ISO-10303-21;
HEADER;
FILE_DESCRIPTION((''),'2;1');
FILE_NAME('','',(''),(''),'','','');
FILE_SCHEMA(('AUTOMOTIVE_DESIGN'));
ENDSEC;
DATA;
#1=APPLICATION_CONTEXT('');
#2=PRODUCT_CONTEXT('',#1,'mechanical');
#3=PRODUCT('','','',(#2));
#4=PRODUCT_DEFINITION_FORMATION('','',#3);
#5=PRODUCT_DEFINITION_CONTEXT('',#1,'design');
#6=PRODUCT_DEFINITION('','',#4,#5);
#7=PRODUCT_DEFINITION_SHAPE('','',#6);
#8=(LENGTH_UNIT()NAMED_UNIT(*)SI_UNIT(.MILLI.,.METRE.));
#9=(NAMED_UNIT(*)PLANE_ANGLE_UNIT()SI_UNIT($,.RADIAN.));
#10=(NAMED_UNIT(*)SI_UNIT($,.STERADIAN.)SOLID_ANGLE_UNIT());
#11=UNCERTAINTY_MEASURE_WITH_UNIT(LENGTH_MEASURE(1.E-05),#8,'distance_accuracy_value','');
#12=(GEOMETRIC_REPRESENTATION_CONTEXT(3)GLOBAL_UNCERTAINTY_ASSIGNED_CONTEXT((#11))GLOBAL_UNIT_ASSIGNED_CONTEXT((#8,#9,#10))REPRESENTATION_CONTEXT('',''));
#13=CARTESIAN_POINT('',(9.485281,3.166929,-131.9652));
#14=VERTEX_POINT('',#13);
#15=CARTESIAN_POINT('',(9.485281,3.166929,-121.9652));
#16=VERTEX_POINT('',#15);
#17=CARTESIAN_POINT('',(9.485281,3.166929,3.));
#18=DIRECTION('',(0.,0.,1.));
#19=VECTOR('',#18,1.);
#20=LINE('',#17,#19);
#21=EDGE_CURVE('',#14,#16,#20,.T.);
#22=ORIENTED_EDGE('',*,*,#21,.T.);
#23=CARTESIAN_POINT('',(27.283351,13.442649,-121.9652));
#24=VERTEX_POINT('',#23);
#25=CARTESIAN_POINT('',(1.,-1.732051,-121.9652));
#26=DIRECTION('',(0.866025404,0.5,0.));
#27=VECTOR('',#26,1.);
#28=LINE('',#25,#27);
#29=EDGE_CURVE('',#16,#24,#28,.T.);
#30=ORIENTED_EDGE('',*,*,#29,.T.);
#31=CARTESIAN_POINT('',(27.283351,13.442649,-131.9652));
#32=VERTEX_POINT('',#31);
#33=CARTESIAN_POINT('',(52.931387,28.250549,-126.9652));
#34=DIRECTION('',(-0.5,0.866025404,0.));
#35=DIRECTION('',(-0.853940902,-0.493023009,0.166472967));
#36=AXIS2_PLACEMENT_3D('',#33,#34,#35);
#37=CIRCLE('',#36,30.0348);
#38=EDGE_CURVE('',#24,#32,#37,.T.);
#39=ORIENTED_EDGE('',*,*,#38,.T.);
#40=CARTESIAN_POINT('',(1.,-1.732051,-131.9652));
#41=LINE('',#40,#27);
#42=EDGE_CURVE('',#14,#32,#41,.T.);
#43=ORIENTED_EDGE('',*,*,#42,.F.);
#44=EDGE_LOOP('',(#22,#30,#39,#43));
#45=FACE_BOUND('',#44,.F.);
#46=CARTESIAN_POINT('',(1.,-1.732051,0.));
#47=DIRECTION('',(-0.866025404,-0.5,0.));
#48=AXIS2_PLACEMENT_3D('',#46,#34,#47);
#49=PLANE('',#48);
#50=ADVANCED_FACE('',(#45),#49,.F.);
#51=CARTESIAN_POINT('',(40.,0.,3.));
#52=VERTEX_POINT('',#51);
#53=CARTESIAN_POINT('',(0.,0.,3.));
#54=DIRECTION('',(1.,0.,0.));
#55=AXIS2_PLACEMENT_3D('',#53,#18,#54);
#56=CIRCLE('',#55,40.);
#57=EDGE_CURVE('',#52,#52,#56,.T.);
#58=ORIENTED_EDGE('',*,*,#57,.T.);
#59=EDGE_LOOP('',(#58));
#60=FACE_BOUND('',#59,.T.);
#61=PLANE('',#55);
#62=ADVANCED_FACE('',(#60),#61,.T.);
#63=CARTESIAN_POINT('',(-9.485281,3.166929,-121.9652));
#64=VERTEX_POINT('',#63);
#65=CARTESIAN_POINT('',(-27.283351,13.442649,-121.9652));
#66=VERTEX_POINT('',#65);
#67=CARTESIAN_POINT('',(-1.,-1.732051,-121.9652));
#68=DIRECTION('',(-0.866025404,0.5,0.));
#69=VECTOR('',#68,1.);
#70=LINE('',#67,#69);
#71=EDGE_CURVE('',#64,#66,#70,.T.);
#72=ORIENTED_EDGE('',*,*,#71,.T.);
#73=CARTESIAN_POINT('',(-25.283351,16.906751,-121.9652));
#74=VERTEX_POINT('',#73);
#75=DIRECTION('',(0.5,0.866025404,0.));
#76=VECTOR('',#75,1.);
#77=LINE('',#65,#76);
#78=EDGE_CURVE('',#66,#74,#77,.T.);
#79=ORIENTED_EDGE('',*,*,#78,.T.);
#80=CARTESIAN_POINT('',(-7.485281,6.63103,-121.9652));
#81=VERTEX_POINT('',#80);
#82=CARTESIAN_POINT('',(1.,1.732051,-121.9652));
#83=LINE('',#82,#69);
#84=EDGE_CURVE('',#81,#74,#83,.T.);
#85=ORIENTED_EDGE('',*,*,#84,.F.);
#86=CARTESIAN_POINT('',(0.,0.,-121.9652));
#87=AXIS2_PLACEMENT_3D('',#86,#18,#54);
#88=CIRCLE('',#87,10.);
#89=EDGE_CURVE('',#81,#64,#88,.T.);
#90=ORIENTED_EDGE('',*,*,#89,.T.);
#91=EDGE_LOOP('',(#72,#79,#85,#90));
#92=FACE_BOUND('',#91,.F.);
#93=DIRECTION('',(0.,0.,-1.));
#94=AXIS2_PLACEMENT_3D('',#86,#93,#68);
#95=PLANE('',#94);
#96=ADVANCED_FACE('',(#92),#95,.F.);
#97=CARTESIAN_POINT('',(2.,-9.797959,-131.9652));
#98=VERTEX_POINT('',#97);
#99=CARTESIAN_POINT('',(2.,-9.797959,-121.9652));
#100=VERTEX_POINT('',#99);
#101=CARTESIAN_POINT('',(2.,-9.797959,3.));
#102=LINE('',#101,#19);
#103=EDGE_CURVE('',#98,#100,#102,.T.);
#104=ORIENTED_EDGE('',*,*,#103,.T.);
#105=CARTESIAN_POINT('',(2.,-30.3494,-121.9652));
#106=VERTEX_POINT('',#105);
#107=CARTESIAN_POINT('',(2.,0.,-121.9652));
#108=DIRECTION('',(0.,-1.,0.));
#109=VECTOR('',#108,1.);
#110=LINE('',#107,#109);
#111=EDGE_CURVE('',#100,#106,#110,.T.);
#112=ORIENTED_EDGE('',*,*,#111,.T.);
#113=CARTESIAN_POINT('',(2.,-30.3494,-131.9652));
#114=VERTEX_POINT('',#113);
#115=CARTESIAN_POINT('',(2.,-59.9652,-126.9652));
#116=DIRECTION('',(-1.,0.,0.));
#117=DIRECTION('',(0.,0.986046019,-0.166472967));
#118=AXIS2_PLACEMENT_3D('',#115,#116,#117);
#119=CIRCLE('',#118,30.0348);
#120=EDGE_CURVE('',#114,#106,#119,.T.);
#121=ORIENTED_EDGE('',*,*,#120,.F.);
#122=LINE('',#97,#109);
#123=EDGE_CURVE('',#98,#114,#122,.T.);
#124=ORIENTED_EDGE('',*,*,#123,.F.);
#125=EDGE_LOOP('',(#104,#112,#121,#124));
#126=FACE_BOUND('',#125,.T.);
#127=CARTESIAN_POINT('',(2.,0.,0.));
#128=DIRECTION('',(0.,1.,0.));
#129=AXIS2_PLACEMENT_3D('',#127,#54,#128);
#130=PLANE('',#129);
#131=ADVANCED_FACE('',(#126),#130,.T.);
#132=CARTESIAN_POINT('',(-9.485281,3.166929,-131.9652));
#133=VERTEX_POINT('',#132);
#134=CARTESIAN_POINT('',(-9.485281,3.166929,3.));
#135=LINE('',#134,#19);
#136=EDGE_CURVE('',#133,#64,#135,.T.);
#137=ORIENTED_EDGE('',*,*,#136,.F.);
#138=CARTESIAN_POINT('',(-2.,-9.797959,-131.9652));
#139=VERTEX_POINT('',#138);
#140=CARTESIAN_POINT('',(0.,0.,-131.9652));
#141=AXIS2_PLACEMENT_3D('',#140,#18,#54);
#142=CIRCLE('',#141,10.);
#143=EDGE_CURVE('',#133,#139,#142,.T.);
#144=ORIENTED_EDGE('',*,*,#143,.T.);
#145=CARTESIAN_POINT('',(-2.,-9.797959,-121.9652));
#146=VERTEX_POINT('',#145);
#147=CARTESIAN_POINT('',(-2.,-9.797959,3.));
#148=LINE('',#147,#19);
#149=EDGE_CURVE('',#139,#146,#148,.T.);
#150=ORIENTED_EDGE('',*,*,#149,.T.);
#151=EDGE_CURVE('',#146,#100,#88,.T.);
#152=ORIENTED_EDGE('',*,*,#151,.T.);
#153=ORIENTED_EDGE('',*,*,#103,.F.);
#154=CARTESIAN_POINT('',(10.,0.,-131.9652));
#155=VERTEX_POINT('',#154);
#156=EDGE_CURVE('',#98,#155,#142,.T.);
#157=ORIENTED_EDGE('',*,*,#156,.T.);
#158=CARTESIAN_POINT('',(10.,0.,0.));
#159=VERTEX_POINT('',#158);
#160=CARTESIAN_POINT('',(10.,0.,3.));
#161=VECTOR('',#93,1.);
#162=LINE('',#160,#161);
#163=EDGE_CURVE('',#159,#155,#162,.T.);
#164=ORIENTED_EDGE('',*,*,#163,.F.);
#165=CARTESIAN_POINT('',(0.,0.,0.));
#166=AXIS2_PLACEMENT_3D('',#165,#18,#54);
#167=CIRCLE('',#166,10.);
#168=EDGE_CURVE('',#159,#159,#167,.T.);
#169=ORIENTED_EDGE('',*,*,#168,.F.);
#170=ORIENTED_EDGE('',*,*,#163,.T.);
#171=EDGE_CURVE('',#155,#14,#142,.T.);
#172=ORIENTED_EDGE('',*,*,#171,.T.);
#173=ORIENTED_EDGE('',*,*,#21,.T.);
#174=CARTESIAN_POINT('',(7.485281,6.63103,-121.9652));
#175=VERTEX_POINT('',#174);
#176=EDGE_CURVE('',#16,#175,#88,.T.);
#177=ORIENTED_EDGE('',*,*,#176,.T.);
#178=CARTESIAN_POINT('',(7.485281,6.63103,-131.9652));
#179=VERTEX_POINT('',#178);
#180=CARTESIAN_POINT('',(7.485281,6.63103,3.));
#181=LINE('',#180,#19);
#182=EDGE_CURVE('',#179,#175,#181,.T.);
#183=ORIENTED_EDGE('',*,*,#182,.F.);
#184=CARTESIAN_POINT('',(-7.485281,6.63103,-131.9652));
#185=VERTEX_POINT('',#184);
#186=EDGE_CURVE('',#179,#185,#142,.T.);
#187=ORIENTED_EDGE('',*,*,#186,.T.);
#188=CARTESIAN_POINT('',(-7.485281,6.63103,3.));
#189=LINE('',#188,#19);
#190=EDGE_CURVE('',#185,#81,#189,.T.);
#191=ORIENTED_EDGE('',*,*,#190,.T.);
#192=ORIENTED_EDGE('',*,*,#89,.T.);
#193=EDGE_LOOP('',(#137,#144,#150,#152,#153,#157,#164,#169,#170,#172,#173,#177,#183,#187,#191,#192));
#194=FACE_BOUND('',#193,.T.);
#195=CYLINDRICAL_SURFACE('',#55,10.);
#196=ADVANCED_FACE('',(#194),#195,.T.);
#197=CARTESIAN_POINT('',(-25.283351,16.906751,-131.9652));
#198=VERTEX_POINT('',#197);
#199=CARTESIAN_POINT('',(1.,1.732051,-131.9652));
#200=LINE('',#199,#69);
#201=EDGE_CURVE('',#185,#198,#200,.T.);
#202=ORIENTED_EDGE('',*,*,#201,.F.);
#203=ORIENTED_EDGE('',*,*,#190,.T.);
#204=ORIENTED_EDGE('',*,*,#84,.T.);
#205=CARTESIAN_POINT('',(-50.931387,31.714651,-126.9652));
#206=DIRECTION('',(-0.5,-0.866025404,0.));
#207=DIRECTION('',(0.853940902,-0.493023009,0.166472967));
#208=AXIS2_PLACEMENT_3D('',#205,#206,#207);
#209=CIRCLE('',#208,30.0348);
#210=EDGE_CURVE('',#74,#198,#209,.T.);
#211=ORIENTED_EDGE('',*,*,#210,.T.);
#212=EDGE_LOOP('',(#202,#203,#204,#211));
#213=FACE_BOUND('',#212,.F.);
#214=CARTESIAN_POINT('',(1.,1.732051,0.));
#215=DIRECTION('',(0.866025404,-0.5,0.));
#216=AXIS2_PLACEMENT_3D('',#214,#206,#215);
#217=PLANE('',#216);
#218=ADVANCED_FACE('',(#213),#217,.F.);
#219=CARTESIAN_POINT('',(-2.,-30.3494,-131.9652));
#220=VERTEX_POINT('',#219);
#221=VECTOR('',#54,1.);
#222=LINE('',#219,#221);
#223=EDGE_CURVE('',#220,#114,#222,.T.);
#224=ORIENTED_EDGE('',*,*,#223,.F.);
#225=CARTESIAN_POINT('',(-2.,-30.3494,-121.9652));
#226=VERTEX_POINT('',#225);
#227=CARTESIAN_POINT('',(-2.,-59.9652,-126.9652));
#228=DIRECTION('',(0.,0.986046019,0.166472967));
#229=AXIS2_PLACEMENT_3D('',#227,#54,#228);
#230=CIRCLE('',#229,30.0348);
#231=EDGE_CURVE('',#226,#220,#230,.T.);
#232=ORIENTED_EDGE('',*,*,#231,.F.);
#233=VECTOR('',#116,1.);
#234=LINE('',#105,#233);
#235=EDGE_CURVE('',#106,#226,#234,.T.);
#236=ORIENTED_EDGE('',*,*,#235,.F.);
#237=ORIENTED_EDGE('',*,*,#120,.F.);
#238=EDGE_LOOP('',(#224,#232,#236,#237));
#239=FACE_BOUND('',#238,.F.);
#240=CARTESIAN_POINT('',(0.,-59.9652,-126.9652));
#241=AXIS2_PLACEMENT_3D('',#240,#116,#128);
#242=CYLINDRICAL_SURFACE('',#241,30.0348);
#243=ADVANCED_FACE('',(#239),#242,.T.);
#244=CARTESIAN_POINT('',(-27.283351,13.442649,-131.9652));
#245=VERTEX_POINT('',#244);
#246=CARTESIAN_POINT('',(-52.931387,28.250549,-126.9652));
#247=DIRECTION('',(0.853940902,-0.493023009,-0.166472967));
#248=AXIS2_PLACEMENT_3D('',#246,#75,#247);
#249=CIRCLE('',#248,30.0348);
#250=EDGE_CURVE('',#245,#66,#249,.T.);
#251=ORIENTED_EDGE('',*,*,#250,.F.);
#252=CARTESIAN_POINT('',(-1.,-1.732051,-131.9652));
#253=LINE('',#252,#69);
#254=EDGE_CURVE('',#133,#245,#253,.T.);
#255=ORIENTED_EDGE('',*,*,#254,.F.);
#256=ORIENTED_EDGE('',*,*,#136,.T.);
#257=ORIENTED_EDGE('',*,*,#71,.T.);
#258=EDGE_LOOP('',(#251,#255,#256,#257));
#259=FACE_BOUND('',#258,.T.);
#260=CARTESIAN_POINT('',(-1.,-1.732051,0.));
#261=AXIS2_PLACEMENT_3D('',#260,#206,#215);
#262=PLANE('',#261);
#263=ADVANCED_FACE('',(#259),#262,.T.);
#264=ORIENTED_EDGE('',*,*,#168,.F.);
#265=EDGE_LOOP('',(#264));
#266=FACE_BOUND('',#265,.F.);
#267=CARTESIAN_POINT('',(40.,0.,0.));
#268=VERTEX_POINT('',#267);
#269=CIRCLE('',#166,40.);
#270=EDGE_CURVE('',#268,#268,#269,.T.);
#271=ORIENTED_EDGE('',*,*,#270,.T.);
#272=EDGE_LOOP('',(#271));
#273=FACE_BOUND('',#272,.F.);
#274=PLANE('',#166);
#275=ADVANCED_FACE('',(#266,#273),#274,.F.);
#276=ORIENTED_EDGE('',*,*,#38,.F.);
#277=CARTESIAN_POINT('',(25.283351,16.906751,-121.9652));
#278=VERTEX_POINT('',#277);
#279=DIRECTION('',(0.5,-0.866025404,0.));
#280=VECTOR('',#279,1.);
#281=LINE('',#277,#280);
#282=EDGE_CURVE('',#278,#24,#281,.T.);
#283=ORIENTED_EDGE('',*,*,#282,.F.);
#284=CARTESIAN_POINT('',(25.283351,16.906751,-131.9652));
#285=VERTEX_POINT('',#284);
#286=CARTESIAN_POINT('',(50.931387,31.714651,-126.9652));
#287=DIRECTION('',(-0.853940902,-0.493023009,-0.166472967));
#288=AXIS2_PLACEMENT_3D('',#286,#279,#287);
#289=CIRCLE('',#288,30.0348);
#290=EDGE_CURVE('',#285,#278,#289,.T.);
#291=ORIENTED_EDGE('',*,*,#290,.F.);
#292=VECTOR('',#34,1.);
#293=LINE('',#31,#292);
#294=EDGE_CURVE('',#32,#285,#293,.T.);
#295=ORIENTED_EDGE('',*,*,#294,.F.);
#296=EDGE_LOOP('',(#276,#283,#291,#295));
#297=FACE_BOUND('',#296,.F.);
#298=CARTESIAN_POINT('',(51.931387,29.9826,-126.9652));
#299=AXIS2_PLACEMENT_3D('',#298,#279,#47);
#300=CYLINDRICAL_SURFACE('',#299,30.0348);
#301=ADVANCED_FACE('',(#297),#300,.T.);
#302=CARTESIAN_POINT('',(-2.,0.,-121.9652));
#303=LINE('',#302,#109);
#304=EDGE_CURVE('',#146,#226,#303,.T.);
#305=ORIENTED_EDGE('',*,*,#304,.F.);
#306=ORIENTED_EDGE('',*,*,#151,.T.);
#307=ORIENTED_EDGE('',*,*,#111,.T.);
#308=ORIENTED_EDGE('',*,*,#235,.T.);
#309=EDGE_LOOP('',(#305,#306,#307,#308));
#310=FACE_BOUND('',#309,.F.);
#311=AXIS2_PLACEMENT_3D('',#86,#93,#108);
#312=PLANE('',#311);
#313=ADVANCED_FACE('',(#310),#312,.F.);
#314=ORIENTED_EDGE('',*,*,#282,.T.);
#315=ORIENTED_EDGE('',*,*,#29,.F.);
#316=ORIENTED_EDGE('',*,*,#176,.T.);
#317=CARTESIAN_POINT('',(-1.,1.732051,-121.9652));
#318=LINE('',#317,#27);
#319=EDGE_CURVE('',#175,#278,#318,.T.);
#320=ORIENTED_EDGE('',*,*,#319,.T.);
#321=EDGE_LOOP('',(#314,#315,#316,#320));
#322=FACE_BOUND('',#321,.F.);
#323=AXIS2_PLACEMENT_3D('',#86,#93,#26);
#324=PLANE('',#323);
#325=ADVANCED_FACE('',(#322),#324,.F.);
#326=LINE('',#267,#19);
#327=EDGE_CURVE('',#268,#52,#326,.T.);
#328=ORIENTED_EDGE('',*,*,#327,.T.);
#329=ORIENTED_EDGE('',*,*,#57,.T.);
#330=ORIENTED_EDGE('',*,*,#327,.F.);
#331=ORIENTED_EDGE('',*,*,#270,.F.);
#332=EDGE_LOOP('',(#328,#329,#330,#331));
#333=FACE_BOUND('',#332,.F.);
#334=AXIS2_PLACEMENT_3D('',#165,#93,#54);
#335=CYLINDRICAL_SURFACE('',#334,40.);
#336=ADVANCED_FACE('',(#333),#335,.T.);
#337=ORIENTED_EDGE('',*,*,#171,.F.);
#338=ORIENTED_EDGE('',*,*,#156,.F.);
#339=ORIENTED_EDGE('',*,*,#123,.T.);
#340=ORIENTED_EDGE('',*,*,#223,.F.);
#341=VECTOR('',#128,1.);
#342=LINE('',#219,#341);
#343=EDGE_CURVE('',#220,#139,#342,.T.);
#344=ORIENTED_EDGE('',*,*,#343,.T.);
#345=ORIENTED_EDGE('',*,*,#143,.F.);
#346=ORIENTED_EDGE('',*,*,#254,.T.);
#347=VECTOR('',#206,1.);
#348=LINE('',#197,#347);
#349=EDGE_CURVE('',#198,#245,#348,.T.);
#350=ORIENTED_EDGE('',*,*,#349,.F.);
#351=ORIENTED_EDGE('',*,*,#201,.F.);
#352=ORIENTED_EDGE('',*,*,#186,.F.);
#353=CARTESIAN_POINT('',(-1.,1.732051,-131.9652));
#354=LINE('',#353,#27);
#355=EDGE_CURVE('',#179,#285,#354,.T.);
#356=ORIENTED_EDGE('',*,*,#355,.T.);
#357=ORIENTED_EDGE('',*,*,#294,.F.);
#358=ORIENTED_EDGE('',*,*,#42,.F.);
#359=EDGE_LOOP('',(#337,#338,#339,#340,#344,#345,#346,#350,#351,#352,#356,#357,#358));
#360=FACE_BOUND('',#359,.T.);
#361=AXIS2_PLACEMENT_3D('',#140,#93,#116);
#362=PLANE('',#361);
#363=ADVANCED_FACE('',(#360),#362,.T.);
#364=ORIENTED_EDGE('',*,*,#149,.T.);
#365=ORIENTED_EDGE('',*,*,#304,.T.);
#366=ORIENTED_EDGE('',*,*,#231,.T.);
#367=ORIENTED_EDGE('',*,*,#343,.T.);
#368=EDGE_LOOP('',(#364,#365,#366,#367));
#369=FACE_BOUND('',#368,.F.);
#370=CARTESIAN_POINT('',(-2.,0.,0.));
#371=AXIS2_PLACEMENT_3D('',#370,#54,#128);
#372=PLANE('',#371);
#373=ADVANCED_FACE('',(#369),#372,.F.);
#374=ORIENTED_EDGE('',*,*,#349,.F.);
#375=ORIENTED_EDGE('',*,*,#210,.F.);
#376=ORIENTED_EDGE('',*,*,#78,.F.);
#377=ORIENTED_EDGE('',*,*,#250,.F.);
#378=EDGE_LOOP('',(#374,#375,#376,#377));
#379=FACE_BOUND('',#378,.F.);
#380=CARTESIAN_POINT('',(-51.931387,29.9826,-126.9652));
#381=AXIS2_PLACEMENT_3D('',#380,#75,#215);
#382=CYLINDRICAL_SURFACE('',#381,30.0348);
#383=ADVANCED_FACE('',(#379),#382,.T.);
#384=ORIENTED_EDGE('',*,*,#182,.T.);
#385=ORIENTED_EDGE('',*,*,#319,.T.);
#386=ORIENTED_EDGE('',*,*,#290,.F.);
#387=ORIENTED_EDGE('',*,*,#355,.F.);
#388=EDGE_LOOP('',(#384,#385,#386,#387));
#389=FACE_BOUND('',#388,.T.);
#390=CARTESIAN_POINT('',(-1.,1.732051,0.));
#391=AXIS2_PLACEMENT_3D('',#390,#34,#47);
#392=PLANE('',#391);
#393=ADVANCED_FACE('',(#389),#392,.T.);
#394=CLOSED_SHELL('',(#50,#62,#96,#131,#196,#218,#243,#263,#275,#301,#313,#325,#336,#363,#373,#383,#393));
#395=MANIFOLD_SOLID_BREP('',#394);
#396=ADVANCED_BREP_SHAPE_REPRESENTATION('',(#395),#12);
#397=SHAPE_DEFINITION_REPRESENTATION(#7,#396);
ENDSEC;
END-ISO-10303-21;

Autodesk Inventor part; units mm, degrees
ref_plane "YZ Plane" through (0, 0, 0) normal (1, 0, 0) x (0, 1, 0)
ref_plane "XZ Plane" through (0, 0, 0) normal (0, 1, 0) x (-1, 0, 0)
ref_plane "XY Plane" through (0, 0, 0) normal (0, 0, 1) x (1, 0, 0)
sketch "Sketch1" plane through (0, 0, 0) normal (0, 0, 1) x (1, 0, 0)
  circle A0 centre (0, 0) radius 40
  dimension "d0" = 80
extrude "Extrusion1" add sketch "Sketch1" along normal blind 3
sketch "Sketch2" plane through (0, 0, 3) normal (0, 0, 1) x (1, 0, 0)
  circle A0 centre (0, 0) radius 10
  dimension "d3" = 20
extrude "Extrusion2" add sketch "Sketch2" against normal blind 160
sketch "Sketch3" plane through (0, 0, 0) normal (1, 0, 0) x (0, 1, 0)
  circle A0 centre (-59.9652, -126.9652) radius 30.0348
  line L0 (-10, -157) -> (10, -157) projected
  line L1 (0, -157) -> (0, -174.595) construction
  line L2 (-90, -126.9652) -> (-90, -88.517)
  line L3 (-59.9652, -126.9652) -> (0, -126.9652) construction
  line L4 (0, -126.9652) -> (0, -131.9652)
  line L5 (0, -131.9652) -> (-30.3494, -131.9652)
  line L6 (0, -126.9652) -> (0, -121.9652)
  line L7 (0, -121.9652) -> (-30.3494, -121.9652)
  point P0 (0, 0)
  dimension "d8" = 90
  dimension "d9" = 5
  dimension "d10" = 5
extrude "Extrusion3" add sketch "Sketch3" along normal mid plane 4
sketch "Sketch4" plane through (0, 0, -157) normal (0, 0, -1) x (-1, 0, 0)
  circle A0 centre (-13.7706, 13.7706) radius 35.6894
  point P0 (0, 0)
extrude "Extrusion4" cut sketch "Sketch4" against normal up to surface (25.0348 mm away)
pattern_circular "Circular Pattern1" count 3 over 360 about axis through (0, 0, 3) along (0, 0, -1) of "Extrusion3"
properties part number "manometro idealmente"
